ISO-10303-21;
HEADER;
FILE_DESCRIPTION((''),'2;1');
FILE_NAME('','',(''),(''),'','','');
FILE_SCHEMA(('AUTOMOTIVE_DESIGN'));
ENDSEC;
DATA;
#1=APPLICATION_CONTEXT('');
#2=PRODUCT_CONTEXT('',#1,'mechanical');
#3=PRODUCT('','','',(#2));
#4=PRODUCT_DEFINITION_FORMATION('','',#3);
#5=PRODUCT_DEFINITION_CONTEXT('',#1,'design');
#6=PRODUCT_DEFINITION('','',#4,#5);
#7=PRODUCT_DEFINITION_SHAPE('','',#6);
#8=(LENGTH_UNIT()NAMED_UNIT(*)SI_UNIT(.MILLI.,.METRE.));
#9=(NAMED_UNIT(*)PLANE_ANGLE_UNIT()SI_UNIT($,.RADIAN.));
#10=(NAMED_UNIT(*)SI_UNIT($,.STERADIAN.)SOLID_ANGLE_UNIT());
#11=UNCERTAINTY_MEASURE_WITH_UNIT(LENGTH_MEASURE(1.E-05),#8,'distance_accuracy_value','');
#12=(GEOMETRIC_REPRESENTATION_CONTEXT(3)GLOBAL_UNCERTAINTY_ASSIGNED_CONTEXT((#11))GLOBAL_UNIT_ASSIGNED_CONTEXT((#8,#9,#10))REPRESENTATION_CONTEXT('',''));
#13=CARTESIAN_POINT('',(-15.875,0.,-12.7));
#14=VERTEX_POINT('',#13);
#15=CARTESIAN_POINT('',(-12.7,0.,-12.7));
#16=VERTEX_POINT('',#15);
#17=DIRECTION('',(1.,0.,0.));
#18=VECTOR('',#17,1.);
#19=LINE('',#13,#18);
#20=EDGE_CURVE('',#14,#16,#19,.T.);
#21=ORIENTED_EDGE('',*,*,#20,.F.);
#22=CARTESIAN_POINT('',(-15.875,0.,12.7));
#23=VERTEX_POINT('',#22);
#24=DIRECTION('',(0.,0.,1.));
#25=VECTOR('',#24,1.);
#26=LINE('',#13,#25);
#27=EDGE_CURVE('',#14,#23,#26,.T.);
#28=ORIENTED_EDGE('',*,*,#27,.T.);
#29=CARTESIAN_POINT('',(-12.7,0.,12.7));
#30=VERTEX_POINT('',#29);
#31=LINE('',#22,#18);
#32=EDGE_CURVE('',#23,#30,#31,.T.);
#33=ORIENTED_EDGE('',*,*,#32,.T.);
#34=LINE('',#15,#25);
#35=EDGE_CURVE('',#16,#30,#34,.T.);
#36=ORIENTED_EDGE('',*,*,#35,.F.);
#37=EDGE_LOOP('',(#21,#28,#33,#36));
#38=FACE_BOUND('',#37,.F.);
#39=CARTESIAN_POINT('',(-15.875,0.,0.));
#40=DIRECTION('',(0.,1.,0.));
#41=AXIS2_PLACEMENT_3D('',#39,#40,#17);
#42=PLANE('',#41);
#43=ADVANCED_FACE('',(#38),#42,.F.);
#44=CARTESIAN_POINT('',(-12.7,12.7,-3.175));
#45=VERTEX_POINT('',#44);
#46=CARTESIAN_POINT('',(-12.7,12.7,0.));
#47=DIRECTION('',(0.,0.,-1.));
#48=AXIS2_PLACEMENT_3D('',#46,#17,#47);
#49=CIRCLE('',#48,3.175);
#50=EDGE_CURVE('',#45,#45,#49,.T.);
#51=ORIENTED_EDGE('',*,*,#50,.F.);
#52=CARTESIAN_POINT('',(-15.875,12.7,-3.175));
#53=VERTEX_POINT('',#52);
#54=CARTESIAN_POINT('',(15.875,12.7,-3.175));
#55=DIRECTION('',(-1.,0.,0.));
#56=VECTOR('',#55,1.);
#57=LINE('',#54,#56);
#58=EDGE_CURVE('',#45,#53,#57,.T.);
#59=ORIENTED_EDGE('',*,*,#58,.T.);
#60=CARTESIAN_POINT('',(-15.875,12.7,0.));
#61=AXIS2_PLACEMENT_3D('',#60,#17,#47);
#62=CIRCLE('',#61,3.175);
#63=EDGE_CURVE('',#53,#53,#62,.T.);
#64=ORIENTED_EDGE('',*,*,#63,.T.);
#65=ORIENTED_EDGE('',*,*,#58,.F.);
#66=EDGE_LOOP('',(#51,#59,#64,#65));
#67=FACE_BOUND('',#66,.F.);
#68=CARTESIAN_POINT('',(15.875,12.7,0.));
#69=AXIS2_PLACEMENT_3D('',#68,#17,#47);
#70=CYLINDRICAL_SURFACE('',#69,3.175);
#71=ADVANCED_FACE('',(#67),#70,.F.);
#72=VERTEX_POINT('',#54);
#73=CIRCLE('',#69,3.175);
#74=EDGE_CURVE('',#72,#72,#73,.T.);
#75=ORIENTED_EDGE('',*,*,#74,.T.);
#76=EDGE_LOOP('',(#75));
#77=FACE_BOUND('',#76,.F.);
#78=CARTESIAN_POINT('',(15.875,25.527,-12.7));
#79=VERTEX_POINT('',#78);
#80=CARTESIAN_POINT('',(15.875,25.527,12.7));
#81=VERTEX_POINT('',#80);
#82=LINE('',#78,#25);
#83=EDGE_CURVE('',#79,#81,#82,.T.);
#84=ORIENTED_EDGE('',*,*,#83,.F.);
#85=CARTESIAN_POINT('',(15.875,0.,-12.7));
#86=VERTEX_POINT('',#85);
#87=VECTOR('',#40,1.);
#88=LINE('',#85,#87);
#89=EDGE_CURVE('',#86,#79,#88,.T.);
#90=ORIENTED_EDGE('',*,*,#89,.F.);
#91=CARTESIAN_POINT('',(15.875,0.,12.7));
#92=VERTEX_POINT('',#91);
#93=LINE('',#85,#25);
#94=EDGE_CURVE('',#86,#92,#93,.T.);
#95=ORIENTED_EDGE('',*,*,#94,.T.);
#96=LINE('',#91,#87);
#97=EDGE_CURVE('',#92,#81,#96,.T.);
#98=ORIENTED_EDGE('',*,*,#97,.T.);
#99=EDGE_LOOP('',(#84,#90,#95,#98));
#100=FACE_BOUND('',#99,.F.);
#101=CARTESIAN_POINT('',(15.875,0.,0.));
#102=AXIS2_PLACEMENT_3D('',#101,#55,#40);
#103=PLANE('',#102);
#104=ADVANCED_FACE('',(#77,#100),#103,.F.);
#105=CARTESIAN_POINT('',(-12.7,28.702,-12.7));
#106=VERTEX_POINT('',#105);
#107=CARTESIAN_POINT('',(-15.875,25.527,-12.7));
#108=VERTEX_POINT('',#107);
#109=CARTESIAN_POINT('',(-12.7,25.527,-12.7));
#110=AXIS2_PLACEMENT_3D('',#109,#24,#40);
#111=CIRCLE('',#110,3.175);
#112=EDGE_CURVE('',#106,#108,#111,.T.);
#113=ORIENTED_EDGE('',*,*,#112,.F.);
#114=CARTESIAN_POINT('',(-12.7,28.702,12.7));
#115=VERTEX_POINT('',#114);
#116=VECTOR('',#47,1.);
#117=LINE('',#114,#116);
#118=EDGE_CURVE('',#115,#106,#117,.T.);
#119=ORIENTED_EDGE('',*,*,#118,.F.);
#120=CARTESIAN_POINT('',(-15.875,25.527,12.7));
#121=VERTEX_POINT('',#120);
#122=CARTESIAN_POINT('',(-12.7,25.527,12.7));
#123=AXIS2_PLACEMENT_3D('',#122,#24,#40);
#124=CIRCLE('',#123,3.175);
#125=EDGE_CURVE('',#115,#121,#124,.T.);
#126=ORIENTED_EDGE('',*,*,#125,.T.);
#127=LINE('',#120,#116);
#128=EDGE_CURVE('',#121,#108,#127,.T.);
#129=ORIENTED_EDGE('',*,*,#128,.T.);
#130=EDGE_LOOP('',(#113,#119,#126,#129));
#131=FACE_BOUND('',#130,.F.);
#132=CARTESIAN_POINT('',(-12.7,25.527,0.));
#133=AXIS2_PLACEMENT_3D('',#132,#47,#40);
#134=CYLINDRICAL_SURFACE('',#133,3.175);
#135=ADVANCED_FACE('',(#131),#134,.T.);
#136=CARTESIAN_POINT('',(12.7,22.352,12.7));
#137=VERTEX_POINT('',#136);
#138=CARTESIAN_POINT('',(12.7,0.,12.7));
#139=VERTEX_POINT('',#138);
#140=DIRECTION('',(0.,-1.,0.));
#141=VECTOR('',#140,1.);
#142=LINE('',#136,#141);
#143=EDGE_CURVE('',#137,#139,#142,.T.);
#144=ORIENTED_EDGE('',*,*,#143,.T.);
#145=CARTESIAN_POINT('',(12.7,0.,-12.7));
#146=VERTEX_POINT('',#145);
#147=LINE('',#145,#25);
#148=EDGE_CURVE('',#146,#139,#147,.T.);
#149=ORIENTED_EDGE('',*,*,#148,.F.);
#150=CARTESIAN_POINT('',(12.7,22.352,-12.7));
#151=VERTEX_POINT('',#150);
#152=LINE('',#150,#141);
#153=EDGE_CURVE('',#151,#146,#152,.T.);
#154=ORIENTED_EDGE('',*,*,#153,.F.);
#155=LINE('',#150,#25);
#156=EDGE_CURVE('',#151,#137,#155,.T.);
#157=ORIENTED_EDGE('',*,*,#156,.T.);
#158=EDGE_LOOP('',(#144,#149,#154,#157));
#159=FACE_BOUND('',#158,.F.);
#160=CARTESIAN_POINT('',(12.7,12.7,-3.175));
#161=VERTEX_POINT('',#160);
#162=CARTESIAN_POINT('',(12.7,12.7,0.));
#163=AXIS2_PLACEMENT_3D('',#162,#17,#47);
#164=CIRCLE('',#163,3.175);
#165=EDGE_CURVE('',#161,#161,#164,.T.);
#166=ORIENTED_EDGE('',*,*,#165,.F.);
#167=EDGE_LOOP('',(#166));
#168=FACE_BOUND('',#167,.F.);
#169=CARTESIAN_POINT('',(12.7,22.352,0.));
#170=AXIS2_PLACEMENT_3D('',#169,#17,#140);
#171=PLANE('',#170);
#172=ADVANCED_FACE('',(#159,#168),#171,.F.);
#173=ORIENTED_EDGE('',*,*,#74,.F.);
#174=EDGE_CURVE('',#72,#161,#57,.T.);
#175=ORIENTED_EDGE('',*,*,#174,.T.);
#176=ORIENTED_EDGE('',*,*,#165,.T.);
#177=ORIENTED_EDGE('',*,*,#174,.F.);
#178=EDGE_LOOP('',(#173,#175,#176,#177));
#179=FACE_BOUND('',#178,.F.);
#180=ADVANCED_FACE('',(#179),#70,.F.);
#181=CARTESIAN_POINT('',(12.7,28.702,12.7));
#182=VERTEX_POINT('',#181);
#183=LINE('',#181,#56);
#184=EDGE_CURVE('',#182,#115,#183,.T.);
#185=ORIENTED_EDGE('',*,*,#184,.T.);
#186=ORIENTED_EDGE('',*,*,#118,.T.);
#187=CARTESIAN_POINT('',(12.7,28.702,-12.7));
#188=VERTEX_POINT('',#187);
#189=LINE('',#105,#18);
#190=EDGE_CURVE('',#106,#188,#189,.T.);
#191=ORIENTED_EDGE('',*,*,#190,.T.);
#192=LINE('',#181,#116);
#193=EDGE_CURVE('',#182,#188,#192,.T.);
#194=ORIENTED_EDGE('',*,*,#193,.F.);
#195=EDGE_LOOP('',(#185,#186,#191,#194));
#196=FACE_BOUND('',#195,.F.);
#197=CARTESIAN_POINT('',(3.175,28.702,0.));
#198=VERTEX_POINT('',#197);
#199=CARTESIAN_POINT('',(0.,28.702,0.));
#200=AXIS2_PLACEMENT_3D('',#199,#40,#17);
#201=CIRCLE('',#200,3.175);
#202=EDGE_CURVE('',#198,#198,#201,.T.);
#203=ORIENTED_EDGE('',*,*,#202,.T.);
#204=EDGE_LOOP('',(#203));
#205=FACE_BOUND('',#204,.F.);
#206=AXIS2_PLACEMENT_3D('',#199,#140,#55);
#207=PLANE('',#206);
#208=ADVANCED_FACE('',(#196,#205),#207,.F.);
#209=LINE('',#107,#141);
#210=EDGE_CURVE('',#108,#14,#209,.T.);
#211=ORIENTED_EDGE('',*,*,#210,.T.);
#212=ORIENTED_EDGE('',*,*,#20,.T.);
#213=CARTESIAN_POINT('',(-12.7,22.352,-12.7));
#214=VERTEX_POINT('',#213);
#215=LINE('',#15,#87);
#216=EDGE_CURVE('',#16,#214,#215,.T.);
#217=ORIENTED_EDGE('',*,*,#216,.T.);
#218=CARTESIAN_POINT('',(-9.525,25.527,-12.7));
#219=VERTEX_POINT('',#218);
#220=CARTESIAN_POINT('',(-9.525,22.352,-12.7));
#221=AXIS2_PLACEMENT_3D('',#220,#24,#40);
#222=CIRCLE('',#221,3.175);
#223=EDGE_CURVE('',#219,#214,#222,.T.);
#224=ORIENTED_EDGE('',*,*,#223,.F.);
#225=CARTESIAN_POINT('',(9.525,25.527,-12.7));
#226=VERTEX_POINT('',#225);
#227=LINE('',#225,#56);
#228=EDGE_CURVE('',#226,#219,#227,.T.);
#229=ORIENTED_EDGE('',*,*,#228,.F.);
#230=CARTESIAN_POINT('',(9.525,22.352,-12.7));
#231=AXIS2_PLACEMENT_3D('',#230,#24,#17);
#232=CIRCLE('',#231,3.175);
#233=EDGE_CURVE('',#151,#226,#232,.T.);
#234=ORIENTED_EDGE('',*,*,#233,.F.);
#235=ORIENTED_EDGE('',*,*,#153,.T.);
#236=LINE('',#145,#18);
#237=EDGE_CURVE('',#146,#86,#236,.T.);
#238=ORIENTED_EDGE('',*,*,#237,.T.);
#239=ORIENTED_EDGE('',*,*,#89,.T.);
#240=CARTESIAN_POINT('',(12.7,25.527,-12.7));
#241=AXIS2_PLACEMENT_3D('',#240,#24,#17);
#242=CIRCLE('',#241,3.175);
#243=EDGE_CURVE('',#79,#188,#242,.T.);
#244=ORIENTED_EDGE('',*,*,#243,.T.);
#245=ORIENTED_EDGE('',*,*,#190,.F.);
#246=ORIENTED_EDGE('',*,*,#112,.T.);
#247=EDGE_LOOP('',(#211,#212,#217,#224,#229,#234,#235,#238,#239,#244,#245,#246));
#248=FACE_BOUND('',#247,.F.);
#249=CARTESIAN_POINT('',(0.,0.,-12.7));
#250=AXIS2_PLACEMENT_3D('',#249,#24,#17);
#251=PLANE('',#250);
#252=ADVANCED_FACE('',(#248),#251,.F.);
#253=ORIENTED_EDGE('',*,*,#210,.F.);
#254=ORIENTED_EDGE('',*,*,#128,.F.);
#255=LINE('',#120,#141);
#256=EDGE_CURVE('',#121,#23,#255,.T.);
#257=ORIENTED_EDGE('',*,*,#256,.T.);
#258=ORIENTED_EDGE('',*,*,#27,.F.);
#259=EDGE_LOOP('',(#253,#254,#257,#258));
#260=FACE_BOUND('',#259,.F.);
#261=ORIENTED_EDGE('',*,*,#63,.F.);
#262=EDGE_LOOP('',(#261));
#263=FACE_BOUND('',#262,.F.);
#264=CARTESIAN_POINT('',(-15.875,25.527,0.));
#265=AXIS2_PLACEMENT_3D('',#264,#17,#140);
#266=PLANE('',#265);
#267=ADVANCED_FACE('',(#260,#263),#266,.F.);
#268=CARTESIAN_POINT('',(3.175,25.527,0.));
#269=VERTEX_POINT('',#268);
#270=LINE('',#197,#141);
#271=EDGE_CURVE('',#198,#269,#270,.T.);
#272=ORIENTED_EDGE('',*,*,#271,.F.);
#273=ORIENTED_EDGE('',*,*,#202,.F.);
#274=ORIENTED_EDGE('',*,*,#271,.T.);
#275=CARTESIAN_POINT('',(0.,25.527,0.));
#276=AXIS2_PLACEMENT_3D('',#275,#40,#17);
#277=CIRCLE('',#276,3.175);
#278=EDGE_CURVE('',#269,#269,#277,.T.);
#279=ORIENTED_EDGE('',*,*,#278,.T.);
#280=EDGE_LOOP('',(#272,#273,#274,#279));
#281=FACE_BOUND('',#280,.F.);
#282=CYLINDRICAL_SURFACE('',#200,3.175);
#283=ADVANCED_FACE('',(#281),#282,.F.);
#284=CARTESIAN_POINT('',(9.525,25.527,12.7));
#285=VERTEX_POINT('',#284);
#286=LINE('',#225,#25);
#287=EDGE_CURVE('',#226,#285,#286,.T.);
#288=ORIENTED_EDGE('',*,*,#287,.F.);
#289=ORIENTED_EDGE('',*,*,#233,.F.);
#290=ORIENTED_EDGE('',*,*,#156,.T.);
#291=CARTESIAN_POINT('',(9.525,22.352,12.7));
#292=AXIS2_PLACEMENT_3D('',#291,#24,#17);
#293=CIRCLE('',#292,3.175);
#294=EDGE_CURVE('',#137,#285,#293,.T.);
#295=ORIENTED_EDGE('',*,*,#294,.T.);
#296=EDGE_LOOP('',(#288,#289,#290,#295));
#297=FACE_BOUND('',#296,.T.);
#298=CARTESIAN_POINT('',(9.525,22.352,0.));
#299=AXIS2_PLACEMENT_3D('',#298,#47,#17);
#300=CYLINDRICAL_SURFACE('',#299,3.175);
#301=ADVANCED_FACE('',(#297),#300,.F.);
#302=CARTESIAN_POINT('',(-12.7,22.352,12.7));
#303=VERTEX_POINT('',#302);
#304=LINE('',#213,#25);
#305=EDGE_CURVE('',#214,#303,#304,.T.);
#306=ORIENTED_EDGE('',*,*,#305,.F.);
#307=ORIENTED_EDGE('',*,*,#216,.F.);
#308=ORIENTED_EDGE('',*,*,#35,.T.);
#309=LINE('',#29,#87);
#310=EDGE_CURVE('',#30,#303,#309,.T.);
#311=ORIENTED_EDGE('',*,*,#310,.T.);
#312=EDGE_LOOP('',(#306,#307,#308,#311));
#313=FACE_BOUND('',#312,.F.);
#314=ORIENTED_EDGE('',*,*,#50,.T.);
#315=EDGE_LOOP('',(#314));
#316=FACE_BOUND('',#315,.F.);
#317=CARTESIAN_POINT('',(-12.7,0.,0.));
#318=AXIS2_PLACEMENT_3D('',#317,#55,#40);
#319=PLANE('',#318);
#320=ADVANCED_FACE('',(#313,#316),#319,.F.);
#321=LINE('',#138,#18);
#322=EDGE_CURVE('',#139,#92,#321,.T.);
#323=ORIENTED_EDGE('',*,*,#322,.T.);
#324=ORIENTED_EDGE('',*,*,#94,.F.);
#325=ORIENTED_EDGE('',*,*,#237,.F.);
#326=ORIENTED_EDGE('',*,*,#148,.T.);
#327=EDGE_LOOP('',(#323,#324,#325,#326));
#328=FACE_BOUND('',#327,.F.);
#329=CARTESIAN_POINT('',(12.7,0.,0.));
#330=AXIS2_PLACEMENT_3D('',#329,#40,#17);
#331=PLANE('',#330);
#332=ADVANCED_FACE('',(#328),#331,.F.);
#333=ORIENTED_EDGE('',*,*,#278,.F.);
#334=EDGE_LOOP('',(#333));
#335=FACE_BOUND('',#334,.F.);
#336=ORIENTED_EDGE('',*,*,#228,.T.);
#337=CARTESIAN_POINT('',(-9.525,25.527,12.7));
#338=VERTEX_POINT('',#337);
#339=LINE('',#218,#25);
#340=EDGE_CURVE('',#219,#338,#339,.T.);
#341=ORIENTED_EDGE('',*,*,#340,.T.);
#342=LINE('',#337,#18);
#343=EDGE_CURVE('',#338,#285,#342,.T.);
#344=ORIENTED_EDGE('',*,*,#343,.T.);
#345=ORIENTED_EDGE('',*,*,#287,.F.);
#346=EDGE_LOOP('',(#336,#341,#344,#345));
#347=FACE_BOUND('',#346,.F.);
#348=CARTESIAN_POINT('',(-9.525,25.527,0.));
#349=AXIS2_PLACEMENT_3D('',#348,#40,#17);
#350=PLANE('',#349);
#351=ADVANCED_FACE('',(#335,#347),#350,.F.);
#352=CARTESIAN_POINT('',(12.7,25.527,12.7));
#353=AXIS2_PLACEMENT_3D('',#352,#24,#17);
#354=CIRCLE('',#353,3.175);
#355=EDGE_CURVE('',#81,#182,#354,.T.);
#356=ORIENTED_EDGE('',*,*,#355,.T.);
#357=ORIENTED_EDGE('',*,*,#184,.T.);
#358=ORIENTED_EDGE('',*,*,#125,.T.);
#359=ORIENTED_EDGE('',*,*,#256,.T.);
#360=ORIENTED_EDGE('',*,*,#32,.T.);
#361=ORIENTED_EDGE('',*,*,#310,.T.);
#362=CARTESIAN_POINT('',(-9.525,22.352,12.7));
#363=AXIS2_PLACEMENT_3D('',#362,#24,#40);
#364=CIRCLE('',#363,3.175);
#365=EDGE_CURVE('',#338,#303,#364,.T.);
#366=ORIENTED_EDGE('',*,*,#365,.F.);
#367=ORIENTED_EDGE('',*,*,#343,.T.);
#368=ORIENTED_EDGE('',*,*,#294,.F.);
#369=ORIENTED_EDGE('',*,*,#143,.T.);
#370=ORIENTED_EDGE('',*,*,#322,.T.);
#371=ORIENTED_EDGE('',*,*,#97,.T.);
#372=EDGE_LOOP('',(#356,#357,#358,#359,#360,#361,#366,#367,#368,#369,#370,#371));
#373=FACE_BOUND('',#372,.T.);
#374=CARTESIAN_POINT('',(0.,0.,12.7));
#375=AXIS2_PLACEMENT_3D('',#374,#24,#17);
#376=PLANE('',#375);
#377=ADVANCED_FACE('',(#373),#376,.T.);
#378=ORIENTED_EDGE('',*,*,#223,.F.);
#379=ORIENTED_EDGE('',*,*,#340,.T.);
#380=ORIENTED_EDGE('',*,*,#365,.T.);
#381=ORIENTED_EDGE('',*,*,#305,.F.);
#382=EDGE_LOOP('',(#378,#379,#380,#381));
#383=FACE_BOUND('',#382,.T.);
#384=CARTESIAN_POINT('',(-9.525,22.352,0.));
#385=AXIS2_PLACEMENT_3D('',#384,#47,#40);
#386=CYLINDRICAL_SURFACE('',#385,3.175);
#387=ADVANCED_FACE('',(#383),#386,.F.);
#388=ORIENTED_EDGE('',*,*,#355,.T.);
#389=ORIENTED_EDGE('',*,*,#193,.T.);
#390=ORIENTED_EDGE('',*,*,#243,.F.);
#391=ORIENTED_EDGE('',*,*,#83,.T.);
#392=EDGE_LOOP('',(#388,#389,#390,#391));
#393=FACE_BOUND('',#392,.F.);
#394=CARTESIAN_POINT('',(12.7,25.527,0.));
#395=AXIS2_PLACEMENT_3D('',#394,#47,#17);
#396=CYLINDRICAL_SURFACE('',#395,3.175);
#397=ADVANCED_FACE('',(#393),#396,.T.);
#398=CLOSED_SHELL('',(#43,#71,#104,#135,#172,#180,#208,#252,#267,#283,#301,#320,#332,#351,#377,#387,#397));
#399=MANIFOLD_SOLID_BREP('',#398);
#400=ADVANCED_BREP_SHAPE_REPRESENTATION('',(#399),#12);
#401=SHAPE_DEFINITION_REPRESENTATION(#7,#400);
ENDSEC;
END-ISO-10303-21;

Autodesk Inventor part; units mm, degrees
ref_plane "YZ Plane" through (0, 0, 0) normal (1, 0, 0) x (0, 1, 0)
ref_plane "XZ Plane" through (0, 0, 0) normal (0, 1, 0) x (-1, 0, 0)
ref_plane "XY Plane" through (0, 0, 0) normal (0, 0, 1) x (1, 0, 0)
sketch "Sketch1" plane through (0, 0, 0) normal (0, 0, 1) x (1, 0, 0)
  line L0 (-15.875, 0) -> (-12.7, 0)
  line L1 (-12.7, 0) -> (-12.7, 22.352)
  line L2 (-9.525, 25.527) -> (9.525, 25.527)
  line L3 (12.7, 22.352) -> (12.7, 0)
  line L4 (12.7, 0) -> (15.875, 0)
  line L5 (15.875, 0) -> (15.875, 25.527)
  line L6 (12.7, 28.702) -> (-12.7, 28.702)
  line L7 (-15.875, 25.527) -> (-15.875, 0)
  arc A0 (-9.525, 25.527) -> (-12.7, 22.352) centre (-9.525, 22.352) ccw
  arc A1 (12.7, 22.352) -> (9.525, 25.527) centre (9.525, 22.352) ccw
  arc A2 (-12.7, 28.702) -> (-15.875, 25.527) centre (-12.7, 25.527) ccw
  arc A3 (15.875, 25.527) -> (12.7, 28.702) centre (12.7, 25.527) ccw
  line L8 (0, 35.2315) -> (0, -5.8719) projected
  point P0 (0, 0)
  dimension "d0" = 28.702
  dimension "d1" = 31.75
  dimension "d2" = 3.175
  dimension "d3" = 3.175
  dimension "d4" = 3.175
extrude "Extrusion1" add sketch "Sketch1" along normal mid plane 25.4
sketch "Sketch4" plane through (15.875, 0, 12.7) normal (1, 0, 0) x (0, 0, -1)
  line L0 (12.7, -5.7404) -> (12.7, 34.4424) construction
  line L1 (-140.335, 0) -> (842.01, 0) construction
  circle A0 centre (12.7, 12.7) radius 3.175
  point P0 (12.7, 0)
  dimension "d34" = 12.7
  dimension "d35" = 0
  dimension "d36" = 6.35
extrude "Extrusion4" cut sketch "Sketch4" against normal up to surface (31.75 mm away)
pattern_linear "Rectangular Pattern3" count 30 spacing 25.4 along (0, 0, 1) count 30 spacing 25.4 along (0, 0, -1) of "Extrusion4"
sketch "Sketch5" plane through (-12.7, 28.702, 12.7) normal (0, 1, 0) x (1, 0, 0)
  circle A0 centre (12.7, 12.7) radius 3.175
  dimension "d45" = 6.35
extrude "Extrusion5" cut sketch "Sketch5" against normal up to next
equation "\"d5\" = AdaptLength"
equation "\"AdaptLength\" = 25.4"
properties part number "NSupportChannel2"
